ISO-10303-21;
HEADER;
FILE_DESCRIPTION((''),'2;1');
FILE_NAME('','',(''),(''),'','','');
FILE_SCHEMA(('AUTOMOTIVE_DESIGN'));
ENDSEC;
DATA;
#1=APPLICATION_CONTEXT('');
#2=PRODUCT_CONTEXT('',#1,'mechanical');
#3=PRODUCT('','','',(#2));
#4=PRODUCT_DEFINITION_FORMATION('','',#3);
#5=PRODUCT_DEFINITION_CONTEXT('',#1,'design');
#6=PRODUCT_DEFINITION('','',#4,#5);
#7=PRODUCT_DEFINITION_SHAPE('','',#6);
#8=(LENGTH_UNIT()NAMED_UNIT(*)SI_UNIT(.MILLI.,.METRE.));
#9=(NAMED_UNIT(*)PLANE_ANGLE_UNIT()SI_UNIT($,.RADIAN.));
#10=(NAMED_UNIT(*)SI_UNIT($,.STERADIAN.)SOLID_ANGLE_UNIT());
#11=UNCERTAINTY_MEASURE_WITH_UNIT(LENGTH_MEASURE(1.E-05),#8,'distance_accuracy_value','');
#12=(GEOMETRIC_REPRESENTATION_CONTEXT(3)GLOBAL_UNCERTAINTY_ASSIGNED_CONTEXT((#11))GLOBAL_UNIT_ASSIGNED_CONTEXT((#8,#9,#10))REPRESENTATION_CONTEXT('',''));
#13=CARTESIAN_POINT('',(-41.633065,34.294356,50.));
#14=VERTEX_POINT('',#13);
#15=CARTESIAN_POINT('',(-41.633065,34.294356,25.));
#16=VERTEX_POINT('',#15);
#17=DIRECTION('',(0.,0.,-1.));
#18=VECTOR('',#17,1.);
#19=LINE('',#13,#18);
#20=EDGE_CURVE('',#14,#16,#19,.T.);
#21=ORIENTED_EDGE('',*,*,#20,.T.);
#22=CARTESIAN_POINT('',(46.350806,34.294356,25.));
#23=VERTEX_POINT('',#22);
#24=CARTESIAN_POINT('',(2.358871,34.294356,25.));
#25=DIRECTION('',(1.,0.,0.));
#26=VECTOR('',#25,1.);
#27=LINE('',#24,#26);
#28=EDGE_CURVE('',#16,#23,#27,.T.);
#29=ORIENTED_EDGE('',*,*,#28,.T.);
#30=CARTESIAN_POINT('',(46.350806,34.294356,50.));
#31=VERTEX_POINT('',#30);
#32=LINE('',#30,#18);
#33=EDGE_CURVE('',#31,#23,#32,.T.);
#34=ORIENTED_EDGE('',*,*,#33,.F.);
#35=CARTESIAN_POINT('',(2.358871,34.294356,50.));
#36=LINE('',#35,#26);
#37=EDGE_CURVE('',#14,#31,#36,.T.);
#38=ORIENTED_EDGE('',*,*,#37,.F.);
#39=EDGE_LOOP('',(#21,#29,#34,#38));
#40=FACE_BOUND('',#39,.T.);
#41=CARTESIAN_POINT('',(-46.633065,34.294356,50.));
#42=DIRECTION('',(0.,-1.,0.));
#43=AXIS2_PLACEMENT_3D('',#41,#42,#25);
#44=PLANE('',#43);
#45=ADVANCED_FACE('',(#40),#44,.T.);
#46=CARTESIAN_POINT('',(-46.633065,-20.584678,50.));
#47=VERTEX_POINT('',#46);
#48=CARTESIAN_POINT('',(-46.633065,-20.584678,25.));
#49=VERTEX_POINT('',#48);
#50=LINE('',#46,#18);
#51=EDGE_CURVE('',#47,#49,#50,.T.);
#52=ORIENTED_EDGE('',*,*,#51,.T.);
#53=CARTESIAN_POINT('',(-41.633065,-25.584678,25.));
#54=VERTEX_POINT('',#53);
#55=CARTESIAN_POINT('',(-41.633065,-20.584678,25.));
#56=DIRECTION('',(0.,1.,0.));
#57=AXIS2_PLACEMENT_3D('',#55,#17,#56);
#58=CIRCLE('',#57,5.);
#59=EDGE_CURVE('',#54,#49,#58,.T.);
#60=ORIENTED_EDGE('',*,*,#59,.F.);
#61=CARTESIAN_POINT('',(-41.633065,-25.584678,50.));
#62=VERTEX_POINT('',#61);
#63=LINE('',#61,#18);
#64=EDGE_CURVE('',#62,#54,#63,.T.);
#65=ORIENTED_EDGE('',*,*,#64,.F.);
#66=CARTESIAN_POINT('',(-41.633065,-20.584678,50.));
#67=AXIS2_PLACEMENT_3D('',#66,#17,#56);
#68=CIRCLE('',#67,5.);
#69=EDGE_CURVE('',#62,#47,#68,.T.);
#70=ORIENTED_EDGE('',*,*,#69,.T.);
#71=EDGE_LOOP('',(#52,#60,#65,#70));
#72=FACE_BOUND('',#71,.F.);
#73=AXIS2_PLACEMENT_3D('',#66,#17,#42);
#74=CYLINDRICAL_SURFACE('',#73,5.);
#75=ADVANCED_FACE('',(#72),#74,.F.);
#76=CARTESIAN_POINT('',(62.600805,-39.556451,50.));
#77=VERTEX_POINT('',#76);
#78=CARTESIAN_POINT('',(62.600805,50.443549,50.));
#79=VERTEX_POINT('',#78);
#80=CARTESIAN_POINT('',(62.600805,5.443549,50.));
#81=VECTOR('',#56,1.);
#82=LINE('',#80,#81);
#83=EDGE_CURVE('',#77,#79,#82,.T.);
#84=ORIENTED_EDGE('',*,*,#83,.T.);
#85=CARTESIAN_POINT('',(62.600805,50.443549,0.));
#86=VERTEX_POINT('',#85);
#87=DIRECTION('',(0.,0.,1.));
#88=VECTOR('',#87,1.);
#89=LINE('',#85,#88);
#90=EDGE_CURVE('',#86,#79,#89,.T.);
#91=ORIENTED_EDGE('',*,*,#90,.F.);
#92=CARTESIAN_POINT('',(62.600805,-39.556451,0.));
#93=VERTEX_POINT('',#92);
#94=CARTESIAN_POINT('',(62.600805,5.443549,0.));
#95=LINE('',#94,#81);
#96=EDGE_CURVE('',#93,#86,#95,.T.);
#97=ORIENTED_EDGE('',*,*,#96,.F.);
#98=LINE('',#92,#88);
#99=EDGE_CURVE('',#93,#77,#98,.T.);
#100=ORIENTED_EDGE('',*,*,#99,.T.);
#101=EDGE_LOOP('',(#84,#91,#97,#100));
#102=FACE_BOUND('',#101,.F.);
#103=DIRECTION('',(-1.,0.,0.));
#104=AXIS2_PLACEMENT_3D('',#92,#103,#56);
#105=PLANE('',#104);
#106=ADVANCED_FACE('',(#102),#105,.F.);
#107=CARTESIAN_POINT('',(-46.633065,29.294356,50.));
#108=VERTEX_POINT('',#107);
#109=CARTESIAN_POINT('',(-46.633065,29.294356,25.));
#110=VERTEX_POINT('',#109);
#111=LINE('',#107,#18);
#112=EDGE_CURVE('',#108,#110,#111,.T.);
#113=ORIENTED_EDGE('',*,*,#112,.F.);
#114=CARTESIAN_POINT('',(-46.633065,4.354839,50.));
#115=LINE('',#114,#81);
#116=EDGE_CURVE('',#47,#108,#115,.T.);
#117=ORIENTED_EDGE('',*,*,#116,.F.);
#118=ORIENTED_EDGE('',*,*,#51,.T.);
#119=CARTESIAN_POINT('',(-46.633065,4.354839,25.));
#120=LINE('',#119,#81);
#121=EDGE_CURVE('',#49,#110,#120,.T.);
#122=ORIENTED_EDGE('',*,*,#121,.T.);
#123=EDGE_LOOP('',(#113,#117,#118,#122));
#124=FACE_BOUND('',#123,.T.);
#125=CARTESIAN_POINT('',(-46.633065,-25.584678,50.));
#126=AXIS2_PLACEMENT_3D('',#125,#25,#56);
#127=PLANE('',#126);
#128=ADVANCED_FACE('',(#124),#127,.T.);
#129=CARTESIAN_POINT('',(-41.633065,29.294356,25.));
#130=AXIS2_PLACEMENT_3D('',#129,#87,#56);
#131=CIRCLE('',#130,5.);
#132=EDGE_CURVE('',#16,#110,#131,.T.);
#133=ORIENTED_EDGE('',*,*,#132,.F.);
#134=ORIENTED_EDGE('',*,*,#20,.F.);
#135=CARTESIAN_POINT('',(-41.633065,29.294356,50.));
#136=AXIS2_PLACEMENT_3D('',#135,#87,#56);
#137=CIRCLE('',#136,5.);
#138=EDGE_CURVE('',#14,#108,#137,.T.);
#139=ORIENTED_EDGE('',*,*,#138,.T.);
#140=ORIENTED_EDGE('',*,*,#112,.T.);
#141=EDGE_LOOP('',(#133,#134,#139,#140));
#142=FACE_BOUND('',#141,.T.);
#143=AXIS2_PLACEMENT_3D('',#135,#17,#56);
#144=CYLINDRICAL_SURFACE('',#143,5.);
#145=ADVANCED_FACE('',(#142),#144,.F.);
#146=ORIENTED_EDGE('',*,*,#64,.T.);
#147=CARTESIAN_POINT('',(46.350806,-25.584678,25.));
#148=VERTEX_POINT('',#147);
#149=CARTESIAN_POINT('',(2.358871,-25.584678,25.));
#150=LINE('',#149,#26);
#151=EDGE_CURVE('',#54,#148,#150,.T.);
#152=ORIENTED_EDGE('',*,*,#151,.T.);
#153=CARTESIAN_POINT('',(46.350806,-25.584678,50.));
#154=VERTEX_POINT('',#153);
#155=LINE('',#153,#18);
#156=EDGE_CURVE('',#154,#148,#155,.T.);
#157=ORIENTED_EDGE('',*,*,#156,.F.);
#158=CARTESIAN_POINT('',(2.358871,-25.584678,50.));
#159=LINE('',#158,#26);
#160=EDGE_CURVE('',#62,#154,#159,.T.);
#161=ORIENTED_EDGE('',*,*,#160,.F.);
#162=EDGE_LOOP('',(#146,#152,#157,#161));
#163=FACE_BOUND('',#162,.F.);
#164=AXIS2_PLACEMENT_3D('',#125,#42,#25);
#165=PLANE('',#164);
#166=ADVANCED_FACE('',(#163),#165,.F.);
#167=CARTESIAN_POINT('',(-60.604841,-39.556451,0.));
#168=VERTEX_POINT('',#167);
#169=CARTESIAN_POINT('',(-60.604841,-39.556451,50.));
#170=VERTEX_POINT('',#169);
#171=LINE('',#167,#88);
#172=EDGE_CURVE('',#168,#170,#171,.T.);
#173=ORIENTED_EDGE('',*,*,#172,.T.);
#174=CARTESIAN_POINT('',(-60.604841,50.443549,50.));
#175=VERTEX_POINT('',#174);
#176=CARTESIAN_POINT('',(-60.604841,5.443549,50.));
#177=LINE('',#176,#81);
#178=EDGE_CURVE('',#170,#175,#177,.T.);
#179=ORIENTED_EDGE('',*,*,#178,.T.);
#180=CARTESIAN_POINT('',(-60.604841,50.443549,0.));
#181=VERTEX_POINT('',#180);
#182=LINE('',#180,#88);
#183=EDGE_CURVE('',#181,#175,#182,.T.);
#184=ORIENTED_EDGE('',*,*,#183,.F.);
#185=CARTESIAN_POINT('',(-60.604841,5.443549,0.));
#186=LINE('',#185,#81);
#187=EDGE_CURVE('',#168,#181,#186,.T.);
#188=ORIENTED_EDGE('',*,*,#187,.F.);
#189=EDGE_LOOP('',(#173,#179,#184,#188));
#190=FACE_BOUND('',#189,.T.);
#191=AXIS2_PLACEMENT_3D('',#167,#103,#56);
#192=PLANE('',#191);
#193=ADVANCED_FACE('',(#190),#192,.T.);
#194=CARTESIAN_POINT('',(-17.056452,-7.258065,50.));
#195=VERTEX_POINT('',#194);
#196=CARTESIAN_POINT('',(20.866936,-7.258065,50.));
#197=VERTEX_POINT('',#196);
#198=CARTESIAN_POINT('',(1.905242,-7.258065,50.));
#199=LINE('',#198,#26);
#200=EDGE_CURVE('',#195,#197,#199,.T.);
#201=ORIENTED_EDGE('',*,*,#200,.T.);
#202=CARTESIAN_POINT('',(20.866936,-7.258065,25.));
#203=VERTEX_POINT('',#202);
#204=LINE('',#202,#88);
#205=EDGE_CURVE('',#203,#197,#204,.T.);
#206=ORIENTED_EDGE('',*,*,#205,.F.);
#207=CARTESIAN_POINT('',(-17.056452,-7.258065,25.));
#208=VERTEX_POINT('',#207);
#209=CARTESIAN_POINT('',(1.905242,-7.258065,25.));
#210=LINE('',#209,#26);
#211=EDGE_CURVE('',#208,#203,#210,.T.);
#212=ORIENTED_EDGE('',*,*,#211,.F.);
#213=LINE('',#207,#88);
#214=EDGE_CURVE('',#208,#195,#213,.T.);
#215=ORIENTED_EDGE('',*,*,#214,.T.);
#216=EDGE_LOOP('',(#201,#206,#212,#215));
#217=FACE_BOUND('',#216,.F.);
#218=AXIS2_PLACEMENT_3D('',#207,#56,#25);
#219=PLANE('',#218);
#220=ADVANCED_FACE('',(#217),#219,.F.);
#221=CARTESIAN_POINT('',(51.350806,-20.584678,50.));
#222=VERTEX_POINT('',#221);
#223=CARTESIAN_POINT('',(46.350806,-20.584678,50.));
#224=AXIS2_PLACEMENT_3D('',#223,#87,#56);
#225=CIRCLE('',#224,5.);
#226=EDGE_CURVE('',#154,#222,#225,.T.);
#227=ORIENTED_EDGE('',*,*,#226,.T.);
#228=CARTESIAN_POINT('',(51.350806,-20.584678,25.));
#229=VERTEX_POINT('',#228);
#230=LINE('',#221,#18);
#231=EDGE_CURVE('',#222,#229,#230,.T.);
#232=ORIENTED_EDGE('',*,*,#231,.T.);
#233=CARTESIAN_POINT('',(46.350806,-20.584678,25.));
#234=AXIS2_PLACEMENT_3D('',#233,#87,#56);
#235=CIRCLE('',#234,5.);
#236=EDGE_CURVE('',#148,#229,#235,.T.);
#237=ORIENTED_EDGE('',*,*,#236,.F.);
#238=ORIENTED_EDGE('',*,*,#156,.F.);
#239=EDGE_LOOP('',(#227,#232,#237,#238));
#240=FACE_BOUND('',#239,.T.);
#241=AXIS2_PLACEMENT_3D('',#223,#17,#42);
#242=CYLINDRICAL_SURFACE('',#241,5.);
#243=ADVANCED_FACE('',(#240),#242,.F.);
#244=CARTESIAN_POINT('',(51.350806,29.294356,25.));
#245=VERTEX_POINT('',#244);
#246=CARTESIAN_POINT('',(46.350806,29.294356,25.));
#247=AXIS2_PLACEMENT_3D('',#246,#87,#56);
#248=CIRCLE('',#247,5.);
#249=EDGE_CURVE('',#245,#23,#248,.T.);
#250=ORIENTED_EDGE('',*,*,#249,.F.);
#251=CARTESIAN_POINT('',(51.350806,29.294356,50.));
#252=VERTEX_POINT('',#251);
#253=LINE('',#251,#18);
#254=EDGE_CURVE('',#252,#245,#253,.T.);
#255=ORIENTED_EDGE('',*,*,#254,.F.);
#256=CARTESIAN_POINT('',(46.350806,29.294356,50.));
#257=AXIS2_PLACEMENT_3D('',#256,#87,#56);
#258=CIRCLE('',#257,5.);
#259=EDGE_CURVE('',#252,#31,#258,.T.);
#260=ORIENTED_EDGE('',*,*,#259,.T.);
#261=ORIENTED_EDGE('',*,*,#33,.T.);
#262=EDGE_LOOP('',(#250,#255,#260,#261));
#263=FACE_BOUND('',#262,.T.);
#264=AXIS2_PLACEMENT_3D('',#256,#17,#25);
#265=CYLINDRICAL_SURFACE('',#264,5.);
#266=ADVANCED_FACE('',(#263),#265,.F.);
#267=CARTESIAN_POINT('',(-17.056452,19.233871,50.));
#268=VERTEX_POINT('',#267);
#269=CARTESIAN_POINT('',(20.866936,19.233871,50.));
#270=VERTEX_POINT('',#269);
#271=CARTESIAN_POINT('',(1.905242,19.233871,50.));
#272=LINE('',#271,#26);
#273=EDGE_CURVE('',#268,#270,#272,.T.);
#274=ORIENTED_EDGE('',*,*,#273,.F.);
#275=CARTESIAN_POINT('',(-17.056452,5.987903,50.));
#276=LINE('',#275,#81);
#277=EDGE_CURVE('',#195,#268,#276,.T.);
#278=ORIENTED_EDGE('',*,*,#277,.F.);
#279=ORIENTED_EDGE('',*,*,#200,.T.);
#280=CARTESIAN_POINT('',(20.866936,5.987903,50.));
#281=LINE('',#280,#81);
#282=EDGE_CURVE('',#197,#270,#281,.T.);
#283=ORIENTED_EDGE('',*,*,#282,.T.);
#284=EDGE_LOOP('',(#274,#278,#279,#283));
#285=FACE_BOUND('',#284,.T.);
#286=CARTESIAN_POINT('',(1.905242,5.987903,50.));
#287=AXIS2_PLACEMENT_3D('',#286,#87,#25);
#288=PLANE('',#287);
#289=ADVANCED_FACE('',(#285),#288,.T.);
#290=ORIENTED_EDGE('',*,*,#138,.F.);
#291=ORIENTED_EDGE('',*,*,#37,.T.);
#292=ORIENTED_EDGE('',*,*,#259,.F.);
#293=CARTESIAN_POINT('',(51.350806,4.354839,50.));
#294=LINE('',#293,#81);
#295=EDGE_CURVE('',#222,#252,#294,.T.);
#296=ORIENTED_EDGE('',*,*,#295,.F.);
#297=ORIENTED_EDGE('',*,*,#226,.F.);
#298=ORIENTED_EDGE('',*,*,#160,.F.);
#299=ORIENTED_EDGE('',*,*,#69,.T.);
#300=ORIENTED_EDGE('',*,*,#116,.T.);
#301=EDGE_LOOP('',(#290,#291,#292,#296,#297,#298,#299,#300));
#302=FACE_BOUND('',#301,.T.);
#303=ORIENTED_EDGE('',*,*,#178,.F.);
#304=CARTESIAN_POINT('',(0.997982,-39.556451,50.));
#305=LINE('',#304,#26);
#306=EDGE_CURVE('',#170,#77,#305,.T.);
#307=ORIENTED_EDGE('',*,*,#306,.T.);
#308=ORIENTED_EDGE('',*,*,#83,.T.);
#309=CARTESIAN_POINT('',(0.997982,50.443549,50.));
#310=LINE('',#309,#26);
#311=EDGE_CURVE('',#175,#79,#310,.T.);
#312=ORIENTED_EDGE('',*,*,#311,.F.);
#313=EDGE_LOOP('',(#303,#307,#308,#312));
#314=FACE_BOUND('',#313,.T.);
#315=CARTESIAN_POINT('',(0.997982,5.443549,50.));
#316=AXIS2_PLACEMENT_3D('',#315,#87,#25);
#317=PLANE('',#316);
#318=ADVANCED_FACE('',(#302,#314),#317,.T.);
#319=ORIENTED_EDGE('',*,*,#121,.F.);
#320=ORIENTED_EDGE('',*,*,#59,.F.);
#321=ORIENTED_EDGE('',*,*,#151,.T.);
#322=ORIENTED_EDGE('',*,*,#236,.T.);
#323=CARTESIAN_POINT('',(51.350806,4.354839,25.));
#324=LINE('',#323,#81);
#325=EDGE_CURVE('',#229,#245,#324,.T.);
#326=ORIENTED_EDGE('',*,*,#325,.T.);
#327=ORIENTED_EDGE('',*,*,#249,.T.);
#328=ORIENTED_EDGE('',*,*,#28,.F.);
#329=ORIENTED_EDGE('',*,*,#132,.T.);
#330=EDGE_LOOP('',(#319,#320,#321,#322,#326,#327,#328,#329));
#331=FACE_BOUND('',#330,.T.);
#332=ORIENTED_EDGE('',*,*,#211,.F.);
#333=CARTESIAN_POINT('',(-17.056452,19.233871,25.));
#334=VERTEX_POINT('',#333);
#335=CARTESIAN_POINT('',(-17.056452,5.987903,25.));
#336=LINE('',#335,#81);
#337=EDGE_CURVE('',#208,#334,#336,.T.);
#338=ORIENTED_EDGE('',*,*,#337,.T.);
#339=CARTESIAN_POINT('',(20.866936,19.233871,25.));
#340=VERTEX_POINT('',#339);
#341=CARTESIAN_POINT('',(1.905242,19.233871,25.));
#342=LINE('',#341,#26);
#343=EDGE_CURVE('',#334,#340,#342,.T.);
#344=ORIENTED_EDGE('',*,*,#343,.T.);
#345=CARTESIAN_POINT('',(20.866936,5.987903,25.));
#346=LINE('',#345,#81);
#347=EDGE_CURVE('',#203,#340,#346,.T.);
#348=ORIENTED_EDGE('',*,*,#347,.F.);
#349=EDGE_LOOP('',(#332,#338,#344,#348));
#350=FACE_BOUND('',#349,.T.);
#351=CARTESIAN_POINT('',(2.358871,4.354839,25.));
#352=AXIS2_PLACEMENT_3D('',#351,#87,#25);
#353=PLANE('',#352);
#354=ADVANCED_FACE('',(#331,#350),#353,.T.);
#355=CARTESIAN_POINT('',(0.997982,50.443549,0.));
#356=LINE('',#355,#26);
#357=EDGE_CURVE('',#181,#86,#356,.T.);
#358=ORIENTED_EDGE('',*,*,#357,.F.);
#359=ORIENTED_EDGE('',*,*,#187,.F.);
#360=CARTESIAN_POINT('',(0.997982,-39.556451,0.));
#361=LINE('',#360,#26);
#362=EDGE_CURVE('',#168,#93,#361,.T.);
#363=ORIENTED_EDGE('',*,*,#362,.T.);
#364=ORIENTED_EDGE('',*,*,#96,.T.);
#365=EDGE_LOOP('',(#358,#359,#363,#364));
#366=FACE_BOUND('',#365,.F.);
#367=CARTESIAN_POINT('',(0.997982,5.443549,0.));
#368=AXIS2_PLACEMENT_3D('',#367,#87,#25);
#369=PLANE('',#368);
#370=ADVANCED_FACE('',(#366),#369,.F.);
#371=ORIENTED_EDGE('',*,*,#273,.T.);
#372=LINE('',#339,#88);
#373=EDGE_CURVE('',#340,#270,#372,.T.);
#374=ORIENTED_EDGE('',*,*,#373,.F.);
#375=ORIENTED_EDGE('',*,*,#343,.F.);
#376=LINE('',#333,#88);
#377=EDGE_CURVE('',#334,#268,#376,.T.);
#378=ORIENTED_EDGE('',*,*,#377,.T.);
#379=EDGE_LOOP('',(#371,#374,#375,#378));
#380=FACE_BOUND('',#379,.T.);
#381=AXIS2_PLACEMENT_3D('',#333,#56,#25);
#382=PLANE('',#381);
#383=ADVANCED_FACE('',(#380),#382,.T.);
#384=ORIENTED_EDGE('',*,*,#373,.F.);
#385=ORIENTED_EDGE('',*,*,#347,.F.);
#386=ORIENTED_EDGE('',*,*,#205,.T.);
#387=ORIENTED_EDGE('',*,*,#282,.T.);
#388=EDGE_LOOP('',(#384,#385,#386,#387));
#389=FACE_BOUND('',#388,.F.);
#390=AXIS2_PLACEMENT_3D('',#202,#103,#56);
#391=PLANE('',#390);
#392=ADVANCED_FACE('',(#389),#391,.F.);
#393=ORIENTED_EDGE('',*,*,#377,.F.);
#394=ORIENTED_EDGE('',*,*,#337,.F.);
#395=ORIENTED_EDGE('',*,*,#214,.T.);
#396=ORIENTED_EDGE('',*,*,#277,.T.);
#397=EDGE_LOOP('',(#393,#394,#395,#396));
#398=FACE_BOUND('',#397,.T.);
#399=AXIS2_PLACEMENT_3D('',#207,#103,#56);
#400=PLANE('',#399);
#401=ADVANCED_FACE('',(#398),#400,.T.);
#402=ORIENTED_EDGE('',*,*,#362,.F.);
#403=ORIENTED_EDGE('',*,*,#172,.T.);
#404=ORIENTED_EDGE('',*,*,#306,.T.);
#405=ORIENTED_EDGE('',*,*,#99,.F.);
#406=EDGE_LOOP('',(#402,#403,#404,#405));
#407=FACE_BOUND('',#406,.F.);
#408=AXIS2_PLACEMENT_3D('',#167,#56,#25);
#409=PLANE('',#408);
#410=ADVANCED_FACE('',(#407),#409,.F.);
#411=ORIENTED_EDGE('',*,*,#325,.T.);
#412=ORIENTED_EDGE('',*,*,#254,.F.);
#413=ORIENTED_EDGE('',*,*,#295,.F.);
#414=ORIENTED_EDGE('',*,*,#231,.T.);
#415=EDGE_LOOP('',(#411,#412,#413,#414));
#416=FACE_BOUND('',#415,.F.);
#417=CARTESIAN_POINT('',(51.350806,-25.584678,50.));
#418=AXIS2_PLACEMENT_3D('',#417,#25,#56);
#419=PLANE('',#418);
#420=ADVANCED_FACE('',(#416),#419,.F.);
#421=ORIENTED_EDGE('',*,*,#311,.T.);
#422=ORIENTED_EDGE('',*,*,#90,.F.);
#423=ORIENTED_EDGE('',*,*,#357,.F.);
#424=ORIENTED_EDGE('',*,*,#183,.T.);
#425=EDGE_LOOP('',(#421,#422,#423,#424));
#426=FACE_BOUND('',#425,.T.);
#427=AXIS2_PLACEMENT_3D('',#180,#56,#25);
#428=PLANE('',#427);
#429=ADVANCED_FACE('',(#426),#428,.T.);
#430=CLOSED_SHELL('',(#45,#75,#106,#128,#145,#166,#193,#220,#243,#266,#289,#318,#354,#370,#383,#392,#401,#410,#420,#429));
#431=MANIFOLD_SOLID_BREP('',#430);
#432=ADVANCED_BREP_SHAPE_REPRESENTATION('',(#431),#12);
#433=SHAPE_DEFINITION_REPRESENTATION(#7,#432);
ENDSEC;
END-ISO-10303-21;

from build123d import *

# Parameters (mm, degrees)
F0_W     = 123.205647
F0_H     = 90
F1_DEPTH = 50
F2_W     = 97.983871
F2_H     = 59.879035
F3_DEPTH = 25
F4_W     = 37.923388
F4_H     = 26.491936
F5_DEPTH = 25
F6_R     = 5


with BuildPart() as f1:
    # F0 (on Top) → F1 (new body)
    with BuildSketch(Plane.XY):
        with Locations((0.997982, 5.443549)):
            Rectangle(F0_W, F0_H)
    extrude(amount=F1_DEPTH)

    # F2 (on face) → F3 (cut)
    with BuildSketch(Plane.XY.offset(50)):
        with Locations((2.358871, 4.354839)):
            Rectangle(F2_W, F2_H)
    extrude(amount=-F3_DEPTH, mode=Mode.SUBTRACT)

    # F4 (on face) → F5 (join)
    with BuildSketch(Plane.XY.offset(25)):
        with Locations((1.905242, 5.987903)):
            Rectangle(F4_W, F4_H)
    extrude(amount=F5_DEPTH)

    # F6
    f6_edges = [f1.edges().sort_by_distance(p)[0] for p in [
        (-46.633065, 34.294356, 37.5),
        (-46.633065, -25.584679, 37.5),
        (51.350806, -25.584679, 37.5),
        (51.350806, 34.294356, 37.5),
    ]]
    fillet(f6_edges, radius=F6_R)


solid = f1.part
